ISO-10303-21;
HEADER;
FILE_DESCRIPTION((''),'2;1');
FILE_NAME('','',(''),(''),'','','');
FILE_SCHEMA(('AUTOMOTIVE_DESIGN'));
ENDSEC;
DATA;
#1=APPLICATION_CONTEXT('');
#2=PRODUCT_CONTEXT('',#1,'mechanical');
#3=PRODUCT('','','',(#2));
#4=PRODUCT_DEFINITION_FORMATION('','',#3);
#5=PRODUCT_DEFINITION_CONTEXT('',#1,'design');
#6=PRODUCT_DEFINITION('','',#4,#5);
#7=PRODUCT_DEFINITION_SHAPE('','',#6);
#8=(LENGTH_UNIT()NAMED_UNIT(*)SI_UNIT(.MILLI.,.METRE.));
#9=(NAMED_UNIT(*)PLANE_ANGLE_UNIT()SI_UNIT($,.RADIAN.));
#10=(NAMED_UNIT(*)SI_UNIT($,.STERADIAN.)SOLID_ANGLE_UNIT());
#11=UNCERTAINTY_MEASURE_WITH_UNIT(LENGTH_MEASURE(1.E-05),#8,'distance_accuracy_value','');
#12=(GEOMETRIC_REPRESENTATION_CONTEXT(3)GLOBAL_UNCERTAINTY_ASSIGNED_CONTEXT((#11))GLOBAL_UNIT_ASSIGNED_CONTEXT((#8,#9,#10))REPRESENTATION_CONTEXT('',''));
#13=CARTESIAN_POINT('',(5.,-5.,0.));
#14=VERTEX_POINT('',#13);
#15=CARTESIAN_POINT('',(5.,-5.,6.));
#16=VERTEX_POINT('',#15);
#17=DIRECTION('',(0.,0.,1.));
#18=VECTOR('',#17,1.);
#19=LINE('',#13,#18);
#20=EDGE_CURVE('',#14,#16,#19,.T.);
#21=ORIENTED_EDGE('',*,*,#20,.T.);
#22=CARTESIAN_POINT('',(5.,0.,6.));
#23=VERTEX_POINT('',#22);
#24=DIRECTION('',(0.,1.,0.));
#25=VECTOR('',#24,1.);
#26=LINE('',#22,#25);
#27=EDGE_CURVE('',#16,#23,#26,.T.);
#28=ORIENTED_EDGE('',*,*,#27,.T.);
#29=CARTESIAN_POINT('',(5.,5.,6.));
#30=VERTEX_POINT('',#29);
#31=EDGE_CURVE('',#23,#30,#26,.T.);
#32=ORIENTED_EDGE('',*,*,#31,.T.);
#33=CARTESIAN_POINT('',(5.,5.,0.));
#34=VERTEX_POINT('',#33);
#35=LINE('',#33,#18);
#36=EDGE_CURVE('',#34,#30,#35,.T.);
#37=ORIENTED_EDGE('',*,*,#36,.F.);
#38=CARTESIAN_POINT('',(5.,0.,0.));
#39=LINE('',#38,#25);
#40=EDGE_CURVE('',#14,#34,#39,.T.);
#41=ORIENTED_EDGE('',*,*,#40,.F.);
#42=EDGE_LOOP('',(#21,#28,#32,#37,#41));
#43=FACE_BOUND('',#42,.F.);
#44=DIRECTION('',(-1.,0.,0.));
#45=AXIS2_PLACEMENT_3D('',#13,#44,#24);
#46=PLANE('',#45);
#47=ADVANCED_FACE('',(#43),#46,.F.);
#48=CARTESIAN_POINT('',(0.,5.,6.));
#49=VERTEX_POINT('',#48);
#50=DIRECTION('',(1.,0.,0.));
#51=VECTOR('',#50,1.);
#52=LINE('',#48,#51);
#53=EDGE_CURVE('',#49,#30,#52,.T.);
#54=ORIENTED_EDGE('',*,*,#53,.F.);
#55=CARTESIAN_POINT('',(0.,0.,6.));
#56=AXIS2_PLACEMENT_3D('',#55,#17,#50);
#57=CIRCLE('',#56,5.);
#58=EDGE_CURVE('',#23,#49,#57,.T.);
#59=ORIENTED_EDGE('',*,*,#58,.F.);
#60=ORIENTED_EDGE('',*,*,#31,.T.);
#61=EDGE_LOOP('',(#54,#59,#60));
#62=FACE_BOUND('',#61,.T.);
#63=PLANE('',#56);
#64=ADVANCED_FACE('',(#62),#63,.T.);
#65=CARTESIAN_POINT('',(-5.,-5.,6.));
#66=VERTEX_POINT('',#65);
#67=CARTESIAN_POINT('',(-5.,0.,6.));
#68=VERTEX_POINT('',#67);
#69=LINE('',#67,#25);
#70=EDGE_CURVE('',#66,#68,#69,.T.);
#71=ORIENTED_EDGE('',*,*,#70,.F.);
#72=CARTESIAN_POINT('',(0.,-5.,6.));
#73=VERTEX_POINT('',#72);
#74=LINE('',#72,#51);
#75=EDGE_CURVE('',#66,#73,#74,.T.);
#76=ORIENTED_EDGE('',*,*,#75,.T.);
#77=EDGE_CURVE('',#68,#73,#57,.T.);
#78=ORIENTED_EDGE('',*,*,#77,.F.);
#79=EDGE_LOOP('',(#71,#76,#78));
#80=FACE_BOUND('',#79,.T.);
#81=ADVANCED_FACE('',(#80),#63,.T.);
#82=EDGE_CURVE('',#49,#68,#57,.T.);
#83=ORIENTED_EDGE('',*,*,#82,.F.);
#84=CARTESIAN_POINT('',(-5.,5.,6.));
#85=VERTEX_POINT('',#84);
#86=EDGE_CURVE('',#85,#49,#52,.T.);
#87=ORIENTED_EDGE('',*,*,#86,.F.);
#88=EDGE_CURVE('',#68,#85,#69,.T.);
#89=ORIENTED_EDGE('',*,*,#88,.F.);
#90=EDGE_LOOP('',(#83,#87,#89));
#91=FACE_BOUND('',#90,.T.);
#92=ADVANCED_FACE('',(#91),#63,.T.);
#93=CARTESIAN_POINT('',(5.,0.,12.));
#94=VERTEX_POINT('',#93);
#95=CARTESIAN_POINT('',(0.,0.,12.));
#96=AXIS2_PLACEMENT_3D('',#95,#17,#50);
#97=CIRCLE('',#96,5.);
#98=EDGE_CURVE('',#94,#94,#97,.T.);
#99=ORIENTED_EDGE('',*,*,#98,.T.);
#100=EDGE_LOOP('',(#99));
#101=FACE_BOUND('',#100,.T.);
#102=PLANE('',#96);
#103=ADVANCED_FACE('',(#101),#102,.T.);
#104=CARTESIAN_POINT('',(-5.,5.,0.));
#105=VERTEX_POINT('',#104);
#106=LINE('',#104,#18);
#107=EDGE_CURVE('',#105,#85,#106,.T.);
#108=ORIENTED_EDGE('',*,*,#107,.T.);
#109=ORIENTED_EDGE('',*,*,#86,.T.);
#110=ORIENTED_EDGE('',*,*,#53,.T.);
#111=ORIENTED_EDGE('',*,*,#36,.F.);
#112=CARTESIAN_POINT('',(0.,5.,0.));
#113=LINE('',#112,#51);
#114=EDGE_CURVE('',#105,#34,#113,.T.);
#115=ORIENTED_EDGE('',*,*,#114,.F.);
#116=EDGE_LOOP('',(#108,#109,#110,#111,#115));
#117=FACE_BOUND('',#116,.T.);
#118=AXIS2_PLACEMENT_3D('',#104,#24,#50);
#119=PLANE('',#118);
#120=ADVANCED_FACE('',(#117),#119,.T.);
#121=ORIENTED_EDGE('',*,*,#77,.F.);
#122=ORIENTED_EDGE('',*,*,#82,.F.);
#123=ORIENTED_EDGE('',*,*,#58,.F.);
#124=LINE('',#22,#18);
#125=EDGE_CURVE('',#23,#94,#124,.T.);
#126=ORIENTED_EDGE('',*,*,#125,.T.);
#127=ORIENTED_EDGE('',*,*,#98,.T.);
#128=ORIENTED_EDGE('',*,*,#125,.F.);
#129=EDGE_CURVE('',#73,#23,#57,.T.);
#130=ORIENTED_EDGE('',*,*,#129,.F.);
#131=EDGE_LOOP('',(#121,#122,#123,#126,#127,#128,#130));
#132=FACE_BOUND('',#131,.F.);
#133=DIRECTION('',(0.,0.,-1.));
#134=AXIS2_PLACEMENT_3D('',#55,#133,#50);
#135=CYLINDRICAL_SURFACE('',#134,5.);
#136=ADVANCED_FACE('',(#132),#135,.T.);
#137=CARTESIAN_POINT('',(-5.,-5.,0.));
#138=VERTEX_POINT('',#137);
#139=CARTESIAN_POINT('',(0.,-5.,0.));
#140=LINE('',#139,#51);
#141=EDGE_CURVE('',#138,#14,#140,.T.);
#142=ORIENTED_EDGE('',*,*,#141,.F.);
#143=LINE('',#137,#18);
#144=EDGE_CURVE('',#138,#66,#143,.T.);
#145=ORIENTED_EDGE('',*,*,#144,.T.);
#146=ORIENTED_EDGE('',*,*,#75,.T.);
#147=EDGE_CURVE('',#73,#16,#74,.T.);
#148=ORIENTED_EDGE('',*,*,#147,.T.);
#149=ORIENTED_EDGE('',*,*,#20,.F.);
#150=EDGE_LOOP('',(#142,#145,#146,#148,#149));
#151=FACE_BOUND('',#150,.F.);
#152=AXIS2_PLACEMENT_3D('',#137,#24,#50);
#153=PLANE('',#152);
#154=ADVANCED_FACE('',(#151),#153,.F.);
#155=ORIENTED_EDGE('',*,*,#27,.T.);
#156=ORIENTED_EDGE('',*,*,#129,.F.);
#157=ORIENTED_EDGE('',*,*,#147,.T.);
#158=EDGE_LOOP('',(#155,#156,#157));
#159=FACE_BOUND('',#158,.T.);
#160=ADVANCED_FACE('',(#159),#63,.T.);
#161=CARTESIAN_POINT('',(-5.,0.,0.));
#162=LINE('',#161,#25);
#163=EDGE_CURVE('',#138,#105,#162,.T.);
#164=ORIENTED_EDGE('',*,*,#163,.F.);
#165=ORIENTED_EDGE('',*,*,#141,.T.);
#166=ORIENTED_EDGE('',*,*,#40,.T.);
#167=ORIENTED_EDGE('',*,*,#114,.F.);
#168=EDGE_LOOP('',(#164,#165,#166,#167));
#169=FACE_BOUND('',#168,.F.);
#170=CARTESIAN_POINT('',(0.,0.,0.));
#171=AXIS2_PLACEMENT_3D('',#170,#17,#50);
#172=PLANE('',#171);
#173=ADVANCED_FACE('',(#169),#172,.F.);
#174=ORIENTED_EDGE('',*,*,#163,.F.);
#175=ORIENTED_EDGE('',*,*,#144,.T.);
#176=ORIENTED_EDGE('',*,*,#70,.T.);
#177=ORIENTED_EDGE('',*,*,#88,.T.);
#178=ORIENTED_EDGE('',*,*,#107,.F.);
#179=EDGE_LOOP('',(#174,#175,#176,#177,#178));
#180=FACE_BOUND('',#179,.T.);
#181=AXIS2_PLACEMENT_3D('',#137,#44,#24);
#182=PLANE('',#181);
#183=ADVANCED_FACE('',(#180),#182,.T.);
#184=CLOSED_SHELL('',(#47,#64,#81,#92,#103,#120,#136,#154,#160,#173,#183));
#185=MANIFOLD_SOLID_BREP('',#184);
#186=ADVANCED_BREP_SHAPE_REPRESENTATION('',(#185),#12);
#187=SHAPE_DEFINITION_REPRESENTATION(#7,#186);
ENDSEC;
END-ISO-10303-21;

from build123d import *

# Parameters (mm, degrees)
SKETCH_W     = 10
SKETCH_H     = 10
PAD_DEPTH    = 6
SKETCH001_R  = 5
PAD001_DEPTH = 6


with BuildPart() as part:
    # Sketch → Pad (new body)
    with BuildSketch(Plane.XY):
        Rectangle(SKETCH_W, SKETCH_H)
    extrude(amount=PAD_DEPTH)

    # Sketch001 → Pad001 (join)
    with BuildSketch(Plane.XY.offset(6)):
        Circle(SKETCH001_R)
    extrude(amount=PAD001_DEPTH)


solid = part.part
